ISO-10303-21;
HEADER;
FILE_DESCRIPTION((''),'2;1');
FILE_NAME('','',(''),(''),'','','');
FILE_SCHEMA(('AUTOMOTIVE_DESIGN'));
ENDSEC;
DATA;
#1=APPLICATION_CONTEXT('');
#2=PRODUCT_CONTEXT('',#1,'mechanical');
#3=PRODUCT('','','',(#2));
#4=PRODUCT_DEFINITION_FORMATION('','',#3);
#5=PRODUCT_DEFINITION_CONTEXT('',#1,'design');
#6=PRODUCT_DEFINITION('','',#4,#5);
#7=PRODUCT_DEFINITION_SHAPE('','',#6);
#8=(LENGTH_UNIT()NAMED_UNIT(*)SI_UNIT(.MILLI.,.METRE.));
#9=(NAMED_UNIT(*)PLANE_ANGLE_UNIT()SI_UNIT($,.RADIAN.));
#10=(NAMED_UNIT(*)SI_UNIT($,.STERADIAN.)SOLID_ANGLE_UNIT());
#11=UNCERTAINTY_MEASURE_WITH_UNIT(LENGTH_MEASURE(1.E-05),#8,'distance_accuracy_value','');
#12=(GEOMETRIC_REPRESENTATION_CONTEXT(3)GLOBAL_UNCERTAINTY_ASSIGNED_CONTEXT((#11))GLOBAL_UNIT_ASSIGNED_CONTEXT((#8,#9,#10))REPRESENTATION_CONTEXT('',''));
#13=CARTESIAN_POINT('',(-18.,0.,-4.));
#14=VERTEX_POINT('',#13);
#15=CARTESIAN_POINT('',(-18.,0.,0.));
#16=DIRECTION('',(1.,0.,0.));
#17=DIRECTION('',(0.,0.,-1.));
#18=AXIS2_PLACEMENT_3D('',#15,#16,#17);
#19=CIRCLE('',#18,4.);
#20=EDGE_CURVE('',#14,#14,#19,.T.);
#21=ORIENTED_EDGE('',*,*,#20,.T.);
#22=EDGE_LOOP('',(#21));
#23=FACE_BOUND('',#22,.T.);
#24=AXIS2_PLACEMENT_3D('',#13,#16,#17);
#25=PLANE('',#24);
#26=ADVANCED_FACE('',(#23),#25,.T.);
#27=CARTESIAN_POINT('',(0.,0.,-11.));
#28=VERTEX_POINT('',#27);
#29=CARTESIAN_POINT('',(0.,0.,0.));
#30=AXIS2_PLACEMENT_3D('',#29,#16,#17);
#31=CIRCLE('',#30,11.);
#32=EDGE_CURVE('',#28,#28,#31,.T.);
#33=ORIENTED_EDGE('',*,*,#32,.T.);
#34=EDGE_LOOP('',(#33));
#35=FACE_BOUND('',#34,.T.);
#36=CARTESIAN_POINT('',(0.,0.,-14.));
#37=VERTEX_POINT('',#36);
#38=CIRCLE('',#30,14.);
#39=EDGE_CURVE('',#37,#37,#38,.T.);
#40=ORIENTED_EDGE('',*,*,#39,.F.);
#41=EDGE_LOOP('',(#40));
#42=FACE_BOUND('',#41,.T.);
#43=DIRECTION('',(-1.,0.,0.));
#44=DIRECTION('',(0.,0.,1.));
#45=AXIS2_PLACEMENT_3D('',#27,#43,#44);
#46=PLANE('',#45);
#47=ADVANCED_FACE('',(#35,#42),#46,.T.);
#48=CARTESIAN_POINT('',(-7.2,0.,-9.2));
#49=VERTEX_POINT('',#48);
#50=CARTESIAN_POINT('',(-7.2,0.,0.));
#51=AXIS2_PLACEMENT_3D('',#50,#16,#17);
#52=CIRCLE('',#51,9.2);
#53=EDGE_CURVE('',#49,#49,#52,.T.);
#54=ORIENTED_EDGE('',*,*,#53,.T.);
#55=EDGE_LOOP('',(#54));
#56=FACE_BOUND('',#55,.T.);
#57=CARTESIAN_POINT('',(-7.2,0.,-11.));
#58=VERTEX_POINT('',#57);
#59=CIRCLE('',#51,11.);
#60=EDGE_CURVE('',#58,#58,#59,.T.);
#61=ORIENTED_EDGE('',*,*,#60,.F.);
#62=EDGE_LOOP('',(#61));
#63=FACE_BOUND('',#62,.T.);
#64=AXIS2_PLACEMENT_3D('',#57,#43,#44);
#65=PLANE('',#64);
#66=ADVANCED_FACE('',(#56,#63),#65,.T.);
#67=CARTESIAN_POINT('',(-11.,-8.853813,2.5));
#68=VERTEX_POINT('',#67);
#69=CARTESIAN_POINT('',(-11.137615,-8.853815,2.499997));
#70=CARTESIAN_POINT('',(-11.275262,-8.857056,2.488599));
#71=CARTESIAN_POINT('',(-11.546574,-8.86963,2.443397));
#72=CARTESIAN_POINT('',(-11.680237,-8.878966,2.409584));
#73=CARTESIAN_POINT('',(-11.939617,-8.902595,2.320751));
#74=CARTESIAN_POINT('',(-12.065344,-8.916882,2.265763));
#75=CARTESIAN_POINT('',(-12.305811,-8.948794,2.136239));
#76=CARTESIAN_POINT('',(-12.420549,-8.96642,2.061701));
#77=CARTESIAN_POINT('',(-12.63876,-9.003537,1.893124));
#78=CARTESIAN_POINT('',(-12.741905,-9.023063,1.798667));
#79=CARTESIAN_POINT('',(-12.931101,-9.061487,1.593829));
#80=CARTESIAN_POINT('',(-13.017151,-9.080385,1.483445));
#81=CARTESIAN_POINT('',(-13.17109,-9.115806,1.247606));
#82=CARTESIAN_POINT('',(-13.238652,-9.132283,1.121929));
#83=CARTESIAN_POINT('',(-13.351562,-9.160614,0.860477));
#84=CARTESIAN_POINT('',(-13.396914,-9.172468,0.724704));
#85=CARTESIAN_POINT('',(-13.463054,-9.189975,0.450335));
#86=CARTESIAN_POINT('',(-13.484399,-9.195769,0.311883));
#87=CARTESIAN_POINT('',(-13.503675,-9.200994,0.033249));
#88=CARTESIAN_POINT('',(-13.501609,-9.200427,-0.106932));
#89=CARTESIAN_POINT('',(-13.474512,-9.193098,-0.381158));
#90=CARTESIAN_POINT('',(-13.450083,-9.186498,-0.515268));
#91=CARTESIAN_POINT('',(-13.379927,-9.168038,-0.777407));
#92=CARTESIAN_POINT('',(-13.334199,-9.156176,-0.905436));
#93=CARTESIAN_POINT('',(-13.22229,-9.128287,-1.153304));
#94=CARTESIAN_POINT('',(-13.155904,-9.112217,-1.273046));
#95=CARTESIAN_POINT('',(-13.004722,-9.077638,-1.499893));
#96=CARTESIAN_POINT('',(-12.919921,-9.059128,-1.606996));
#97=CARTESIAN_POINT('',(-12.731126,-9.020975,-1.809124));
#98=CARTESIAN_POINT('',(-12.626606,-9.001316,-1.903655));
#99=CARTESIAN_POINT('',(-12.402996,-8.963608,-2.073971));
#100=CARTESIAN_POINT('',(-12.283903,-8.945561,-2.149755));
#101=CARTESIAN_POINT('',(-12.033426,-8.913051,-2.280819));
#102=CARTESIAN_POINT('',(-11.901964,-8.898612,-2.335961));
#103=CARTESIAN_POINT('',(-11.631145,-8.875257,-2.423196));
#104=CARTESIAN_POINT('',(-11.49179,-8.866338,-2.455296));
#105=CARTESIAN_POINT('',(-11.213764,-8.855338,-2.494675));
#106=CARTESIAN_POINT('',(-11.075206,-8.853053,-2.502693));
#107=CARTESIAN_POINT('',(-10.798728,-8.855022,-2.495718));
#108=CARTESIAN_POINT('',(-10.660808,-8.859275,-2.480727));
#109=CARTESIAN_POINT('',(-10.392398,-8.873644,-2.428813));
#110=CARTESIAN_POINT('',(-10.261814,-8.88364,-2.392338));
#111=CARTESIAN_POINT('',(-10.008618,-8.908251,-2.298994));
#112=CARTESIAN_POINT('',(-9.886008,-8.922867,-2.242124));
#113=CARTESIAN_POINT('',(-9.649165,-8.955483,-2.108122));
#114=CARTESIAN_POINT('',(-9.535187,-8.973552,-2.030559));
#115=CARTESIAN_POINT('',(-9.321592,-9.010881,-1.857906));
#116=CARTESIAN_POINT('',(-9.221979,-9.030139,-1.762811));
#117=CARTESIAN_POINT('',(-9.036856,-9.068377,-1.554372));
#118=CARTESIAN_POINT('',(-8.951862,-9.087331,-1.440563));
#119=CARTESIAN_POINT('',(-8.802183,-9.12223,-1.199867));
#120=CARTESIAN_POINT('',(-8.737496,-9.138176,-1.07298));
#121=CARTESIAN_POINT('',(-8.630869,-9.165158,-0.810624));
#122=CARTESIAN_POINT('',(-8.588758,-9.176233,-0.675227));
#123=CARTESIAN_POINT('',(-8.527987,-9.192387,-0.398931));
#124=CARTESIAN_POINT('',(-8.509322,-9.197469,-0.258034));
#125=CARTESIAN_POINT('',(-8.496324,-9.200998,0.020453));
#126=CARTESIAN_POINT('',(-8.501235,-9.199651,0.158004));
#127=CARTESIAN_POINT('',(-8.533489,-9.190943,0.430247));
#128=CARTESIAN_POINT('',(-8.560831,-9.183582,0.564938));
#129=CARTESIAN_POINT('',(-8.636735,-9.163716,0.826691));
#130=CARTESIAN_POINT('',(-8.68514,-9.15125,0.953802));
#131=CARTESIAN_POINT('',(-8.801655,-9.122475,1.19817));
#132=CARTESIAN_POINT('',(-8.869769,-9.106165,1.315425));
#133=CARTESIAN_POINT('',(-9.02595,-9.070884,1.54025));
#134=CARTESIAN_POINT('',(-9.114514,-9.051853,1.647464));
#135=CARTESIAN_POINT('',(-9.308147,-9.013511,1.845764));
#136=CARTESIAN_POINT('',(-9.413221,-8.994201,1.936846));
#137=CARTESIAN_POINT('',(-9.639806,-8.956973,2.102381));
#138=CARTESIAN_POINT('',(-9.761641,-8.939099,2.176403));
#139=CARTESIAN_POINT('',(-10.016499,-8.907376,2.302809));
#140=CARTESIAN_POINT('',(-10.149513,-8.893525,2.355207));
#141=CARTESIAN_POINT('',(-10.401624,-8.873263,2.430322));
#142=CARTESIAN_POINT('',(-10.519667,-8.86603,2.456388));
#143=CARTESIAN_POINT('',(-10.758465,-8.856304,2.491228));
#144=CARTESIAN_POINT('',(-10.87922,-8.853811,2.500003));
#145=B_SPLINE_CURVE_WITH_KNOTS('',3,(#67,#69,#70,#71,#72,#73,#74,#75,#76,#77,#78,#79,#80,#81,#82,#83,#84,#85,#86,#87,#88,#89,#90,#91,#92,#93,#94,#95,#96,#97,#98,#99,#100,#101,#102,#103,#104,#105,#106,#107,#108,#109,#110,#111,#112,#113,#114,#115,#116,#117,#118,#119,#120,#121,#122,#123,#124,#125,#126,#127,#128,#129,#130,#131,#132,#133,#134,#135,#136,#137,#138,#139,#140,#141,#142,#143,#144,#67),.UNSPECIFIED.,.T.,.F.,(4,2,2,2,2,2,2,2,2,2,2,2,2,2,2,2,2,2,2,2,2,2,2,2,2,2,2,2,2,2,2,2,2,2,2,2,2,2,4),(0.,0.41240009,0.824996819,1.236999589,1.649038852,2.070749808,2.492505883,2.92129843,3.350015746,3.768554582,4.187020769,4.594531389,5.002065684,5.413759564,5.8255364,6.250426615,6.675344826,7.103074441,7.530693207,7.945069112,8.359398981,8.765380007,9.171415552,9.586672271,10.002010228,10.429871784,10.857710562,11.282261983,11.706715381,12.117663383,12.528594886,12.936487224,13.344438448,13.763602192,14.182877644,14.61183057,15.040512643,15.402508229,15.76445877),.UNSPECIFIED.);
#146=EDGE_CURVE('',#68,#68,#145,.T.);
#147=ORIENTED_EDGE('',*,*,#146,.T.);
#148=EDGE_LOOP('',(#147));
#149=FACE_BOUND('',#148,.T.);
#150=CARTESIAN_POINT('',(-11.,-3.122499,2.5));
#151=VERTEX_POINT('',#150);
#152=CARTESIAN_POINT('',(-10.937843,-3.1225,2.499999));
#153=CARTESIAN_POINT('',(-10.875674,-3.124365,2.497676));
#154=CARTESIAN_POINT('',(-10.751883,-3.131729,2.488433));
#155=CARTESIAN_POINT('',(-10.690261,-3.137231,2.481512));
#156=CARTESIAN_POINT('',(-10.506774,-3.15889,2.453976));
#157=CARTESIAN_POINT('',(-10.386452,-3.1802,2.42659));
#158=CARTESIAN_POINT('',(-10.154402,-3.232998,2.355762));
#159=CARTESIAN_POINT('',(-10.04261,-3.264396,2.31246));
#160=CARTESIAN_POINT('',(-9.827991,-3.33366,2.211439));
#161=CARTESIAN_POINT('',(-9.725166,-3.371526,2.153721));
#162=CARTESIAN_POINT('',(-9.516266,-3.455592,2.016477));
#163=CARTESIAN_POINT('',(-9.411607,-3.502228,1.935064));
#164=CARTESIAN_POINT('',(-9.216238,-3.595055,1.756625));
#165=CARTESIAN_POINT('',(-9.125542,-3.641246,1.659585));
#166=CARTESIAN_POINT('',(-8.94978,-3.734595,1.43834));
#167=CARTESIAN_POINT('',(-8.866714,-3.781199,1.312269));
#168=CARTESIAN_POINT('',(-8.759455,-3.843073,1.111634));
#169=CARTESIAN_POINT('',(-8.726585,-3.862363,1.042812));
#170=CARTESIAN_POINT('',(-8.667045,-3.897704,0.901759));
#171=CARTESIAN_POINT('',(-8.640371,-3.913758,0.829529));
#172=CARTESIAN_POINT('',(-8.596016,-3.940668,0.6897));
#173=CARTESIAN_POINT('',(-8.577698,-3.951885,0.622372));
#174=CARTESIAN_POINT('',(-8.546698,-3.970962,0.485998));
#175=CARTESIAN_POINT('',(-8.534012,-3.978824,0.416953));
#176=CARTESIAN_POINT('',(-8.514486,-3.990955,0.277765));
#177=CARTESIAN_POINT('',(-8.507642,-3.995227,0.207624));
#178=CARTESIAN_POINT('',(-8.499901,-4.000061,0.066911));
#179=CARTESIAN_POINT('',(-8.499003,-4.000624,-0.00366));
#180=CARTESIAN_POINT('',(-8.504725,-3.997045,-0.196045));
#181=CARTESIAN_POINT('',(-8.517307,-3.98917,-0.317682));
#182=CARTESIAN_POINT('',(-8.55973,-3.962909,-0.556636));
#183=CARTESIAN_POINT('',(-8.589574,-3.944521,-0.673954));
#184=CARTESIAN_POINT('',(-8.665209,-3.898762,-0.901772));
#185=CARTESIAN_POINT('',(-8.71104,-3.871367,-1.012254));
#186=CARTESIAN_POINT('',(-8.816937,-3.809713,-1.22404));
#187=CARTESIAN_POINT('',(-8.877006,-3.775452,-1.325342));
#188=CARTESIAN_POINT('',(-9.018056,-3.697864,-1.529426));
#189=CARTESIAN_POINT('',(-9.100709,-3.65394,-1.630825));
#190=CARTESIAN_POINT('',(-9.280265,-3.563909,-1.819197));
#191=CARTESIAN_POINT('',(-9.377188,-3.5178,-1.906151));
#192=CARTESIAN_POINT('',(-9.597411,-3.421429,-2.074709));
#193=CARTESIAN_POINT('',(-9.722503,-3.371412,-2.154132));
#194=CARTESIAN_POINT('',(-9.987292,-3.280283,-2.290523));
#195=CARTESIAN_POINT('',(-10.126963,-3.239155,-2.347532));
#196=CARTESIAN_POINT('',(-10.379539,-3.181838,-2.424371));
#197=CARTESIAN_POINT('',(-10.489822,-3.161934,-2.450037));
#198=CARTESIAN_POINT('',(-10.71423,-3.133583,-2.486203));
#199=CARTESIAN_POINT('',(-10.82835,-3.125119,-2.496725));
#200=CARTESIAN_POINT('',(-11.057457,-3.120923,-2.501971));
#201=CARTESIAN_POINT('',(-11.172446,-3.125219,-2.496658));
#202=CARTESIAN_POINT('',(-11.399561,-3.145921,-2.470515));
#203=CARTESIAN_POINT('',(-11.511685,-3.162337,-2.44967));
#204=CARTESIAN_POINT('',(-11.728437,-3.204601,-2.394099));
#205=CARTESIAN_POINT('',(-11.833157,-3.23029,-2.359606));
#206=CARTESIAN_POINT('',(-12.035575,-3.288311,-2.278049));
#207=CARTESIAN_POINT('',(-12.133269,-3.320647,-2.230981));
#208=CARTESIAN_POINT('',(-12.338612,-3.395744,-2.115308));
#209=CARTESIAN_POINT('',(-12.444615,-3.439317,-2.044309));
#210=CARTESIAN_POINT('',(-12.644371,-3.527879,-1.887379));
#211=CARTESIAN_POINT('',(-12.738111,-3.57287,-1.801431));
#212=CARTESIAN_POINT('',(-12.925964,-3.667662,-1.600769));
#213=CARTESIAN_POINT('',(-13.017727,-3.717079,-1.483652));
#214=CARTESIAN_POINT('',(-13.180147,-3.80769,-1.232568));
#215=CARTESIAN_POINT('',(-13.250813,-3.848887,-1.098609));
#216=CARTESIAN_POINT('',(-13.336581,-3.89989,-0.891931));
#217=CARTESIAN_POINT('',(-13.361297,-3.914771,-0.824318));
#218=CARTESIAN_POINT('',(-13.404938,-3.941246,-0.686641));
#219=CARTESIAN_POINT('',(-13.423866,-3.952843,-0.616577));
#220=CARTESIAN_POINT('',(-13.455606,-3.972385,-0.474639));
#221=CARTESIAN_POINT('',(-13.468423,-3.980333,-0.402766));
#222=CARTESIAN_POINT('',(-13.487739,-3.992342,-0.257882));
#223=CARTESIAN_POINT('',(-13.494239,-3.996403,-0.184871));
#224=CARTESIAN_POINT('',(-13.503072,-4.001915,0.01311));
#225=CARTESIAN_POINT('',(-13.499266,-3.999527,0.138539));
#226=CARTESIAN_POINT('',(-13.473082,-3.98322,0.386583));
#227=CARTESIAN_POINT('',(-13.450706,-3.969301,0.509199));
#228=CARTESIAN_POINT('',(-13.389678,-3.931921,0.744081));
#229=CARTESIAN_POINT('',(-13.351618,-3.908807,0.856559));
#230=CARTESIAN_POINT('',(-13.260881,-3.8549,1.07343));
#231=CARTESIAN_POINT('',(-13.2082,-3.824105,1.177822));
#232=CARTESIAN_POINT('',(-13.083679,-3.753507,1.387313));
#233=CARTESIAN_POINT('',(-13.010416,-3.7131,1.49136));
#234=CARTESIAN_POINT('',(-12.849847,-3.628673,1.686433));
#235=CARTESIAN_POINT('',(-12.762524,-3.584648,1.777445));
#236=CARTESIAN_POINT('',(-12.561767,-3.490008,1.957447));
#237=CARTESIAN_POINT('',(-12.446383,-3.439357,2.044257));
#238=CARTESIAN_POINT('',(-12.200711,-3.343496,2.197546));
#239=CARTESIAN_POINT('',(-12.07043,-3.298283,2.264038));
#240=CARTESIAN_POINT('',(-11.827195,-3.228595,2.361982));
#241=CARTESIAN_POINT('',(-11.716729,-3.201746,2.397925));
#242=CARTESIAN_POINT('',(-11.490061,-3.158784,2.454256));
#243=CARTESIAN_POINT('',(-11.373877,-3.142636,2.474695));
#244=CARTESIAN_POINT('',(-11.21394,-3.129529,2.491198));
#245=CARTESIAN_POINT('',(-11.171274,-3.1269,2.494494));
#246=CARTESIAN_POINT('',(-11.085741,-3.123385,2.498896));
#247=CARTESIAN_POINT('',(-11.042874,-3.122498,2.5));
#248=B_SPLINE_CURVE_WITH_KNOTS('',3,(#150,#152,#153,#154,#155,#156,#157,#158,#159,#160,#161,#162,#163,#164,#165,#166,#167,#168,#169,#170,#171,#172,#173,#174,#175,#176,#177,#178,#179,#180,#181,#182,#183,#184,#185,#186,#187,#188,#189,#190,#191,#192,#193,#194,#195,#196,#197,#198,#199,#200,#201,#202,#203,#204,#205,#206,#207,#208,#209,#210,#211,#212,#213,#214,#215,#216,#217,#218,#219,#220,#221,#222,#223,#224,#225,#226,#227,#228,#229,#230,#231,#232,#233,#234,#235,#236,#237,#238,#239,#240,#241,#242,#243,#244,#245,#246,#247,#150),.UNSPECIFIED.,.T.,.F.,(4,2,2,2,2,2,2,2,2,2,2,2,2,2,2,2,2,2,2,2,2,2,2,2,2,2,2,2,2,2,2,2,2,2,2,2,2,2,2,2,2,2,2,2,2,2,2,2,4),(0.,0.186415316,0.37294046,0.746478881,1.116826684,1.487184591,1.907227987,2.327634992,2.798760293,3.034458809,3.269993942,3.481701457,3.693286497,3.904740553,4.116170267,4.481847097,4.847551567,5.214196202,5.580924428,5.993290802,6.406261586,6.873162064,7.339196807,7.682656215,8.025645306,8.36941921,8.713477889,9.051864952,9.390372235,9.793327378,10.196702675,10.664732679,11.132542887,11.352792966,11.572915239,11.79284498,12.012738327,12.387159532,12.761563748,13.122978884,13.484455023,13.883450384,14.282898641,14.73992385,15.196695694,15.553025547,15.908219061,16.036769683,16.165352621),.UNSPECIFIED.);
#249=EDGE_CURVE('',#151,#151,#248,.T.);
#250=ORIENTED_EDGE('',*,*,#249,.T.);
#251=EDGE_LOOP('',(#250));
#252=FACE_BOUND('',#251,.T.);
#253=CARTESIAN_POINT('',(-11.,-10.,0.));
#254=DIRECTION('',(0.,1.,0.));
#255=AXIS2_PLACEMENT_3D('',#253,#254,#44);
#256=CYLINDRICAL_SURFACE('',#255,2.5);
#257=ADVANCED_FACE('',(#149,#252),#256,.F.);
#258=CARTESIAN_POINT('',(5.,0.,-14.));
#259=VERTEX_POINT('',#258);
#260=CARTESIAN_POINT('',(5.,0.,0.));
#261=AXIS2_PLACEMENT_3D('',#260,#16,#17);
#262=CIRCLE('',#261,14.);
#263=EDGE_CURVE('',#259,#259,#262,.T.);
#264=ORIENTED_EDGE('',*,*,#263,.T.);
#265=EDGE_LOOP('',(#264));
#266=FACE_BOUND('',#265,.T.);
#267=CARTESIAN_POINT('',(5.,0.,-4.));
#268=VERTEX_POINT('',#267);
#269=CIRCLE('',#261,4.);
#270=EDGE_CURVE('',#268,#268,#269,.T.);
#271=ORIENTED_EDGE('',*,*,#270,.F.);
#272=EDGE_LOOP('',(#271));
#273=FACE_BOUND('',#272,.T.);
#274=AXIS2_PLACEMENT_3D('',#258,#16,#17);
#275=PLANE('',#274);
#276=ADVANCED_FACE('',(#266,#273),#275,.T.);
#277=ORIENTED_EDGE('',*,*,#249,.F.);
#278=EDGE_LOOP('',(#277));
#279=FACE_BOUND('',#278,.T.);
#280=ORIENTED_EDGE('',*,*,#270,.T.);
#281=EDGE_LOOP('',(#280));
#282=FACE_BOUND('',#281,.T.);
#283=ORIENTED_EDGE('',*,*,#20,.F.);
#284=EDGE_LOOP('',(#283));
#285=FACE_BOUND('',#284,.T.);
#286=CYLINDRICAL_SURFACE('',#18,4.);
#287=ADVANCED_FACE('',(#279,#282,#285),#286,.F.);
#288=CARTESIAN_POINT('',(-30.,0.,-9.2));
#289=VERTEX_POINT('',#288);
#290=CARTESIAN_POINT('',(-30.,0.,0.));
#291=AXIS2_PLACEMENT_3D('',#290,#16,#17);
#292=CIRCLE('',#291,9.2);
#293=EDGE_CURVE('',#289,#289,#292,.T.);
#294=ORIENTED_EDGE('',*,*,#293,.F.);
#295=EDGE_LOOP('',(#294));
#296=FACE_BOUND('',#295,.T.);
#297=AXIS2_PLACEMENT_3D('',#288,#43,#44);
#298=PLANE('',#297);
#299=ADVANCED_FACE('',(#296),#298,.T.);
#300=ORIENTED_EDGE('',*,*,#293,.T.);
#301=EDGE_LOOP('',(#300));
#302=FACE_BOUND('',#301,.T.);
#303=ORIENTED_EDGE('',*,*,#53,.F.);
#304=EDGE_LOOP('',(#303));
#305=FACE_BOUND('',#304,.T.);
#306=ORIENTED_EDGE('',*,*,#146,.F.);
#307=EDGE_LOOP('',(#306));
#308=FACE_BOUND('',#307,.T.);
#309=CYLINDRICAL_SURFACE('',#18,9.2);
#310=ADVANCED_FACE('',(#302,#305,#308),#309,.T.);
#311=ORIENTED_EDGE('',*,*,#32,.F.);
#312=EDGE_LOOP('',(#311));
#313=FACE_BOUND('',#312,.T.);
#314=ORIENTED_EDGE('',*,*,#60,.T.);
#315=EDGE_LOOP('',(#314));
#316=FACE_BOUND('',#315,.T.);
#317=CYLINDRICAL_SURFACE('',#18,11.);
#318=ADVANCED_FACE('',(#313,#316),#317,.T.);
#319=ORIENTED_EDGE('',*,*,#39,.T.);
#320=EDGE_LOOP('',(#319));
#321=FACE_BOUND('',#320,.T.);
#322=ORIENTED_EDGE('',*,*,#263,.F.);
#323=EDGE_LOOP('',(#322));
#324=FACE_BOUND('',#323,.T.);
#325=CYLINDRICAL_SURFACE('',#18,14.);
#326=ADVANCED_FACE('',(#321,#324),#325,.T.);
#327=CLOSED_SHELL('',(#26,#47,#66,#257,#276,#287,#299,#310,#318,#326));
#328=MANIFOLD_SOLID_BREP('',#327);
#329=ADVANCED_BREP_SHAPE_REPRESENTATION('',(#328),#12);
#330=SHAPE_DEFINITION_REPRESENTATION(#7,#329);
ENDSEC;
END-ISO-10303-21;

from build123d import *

# Parameters (mm, degrees)
SKETCH3_R          = 2.5
CUT_EXTRUDE1_DEPTH = 10


with BuildPart() as part:
    # Sketch1 → Revolve1 (revolve)
    with BuildSketch(Plane(origin=(0, 0, 0), x_dir=(1, 0, 0), z_dir=(0, 1, 0))):
        Polygon((0, 11), (-7.2, 11), (-7.2, 9.2), (-30, 9.2), (-30, 0), (-18, 0), (-18, 4), (0, 4), (5, 4), (5, 14), (0, 14), align=None)
    revolve(axis=Axis((-18, 0, 0), (-1, 0, 0)))

    # Sketch3 → Cut-Extrude1 (cut)
    with BuildSketch(Plane(origin=(0, 0, 0), x_dir=(1, 0, 0), z_dir=(0, 1, 0))):
        with Locations((-11, 0)):
            Circle(SKETCH3_R)
    extrude(amount=-CUT_EXTRUDE1_DEPTH, mode=Mode.SUBTRACT)


solid = part.part
